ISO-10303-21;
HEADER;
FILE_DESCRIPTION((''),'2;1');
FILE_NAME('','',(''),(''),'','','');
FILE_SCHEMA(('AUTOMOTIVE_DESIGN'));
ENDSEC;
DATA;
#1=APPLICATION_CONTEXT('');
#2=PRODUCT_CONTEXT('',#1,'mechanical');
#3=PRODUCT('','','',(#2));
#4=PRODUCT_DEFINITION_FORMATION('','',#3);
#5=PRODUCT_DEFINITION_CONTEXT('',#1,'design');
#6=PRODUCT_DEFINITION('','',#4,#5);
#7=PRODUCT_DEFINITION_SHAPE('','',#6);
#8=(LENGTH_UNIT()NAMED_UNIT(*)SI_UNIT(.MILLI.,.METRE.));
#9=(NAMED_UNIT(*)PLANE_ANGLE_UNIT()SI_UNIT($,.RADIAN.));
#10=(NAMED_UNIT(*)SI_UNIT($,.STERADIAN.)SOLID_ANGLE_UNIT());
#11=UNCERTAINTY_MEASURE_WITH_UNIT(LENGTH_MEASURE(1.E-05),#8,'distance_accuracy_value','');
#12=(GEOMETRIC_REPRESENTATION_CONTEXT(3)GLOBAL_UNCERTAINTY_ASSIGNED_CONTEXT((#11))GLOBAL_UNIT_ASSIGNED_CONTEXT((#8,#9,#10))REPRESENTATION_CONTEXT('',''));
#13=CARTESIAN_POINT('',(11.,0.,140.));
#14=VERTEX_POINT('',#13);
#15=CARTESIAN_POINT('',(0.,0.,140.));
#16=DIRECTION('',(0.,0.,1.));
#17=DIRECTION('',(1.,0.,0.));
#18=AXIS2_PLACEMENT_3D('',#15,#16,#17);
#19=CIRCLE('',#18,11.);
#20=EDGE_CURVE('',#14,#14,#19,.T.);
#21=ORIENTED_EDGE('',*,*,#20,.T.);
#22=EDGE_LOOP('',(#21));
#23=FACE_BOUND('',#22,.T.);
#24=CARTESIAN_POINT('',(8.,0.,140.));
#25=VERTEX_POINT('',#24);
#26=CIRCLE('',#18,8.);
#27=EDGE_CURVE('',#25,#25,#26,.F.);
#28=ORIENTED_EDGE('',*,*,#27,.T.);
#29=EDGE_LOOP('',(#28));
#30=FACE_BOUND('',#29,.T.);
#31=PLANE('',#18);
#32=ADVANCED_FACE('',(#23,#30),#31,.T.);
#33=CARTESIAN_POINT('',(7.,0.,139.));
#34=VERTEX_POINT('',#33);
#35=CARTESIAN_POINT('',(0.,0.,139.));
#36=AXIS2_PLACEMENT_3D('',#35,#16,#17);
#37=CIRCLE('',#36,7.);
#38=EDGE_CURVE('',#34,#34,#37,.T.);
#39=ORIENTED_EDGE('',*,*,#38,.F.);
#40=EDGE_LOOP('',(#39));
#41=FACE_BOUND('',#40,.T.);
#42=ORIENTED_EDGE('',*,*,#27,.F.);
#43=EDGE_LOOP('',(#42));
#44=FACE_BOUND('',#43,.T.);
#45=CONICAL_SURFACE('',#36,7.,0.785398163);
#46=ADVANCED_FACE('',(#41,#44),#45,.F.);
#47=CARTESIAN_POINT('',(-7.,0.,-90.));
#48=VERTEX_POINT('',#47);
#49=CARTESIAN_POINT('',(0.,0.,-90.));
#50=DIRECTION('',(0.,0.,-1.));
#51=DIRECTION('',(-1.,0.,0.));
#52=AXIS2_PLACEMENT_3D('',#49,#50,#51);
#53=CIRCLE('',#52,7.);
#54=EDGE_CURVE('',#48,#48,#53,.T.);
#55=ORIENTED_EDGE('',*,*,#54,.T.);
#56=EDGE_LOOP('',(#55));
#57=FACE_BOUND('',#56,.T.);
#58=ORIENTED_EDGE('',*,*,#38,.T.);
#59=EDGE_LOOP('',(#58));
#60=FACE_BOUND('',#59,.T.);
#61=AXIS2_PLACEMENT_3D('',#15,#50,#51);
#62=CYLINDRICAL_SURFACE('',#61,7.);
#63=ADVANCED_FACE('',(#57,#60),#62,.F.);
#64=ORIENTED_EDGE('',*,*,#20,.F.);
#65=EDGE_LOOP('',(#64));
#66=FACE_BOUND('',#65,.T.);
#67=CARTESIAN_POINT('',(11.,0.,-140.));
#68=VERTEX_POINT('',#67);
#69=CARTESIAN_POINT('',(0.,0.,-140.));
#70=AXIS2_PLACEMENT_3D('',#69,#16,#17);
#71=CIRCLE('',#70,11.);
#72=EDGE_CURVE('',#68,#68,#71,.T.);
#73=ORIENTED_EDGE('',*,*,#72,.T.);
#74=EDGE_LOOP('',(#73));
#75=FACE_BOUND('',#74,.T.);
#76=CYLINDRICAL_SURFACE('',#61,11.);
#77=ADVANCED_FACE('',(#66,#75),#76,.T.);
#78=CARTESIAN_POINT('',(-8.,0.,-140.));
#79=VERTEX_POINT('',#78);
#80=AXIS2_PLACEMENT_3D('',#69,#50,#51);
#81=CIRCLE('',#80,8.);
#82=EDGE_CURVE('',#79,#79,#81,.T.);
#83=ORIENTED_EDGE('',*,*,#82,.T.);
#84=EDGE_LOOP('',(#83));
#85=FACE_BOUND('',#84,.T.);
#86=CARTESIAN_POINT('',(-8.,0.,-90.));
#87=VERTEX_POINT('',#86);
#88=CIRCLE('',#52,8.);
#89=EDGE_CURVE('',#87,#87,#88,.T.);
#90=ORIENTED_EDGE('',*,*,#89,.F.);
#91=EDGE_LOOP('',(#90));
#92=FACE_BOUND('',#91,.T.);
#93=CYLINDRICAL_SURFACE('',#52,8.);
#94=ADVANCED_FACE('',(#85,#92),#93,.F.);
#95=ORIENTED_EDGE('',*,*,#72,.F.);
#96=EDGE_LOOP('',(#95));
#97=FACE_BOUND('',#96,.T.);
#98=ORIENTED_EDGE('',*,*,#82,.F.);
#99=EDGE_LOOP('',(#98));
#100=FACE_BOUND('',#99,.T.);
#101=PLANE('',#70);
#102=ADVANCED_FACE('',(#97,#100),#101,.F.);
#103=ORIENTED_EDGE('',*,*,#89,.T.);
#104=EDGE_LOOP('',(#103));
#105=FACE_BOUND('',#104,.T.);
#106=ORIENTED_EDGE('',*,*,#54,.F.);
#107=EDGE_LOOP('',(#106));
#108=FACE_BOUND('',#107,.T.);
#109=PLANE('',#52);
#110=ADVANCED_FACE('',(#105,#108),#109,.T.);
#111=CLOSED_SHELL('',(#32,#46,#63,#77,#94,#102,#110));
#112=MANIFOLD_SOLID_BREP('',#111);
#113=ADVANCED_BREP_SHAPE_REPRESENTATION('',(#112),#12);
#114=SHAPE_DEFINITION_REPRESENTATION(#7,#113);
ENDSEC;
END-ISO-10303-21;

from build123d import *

# Parameters (mm, degrees)
SZKIC1_R                    = 11
SZKIC1_R_2                  = 7
DODANIE_WYCI_GNI_CIE1_DEPTH = 140
SZKIC2_R                    = 8
WYTNIJ_WYCI_GNI_CIE1_DEPTH  = 50
SFAZOWANIE1_SIZE            = 1


with BuildPart() as part:
    # Szkic1 → Dodanie-wyciągnięcie1 (new, symmetric)
    with BuildSketch(Plane.XY):
        Circle(SZKIC1_R)
        Circle(SZKIC1_R_2, mode=Mode.SUBTRACT)
    extrude(amount=DODANIE_WYCI_GNI_CIE1_DEPTH, both=True)

    # Szkic2 → Wytnij-wyciągnięcie1 (cut)
    with BuildSketch(Plane(origin=(0, 0, -140), x_dir=(-1, 0, 0), z_dir=(0, 0, -1))):
        Circle(SZKIC2_R)
    extrude(amount=-WYTNIJ_WYCI_GNI_CIE1_DEPTH, mode=Mode.SUBTRACT)

    # Sfazowanie1
    sfazowanie1_edges = [part.edges().sort_by_distance(p)[0] for p in [
        (-7, 0, 140),
    ]]
    chamfer(sfazowanie1_edges, length=SFAZOWANIE1_SIZE)


solid = part.part
